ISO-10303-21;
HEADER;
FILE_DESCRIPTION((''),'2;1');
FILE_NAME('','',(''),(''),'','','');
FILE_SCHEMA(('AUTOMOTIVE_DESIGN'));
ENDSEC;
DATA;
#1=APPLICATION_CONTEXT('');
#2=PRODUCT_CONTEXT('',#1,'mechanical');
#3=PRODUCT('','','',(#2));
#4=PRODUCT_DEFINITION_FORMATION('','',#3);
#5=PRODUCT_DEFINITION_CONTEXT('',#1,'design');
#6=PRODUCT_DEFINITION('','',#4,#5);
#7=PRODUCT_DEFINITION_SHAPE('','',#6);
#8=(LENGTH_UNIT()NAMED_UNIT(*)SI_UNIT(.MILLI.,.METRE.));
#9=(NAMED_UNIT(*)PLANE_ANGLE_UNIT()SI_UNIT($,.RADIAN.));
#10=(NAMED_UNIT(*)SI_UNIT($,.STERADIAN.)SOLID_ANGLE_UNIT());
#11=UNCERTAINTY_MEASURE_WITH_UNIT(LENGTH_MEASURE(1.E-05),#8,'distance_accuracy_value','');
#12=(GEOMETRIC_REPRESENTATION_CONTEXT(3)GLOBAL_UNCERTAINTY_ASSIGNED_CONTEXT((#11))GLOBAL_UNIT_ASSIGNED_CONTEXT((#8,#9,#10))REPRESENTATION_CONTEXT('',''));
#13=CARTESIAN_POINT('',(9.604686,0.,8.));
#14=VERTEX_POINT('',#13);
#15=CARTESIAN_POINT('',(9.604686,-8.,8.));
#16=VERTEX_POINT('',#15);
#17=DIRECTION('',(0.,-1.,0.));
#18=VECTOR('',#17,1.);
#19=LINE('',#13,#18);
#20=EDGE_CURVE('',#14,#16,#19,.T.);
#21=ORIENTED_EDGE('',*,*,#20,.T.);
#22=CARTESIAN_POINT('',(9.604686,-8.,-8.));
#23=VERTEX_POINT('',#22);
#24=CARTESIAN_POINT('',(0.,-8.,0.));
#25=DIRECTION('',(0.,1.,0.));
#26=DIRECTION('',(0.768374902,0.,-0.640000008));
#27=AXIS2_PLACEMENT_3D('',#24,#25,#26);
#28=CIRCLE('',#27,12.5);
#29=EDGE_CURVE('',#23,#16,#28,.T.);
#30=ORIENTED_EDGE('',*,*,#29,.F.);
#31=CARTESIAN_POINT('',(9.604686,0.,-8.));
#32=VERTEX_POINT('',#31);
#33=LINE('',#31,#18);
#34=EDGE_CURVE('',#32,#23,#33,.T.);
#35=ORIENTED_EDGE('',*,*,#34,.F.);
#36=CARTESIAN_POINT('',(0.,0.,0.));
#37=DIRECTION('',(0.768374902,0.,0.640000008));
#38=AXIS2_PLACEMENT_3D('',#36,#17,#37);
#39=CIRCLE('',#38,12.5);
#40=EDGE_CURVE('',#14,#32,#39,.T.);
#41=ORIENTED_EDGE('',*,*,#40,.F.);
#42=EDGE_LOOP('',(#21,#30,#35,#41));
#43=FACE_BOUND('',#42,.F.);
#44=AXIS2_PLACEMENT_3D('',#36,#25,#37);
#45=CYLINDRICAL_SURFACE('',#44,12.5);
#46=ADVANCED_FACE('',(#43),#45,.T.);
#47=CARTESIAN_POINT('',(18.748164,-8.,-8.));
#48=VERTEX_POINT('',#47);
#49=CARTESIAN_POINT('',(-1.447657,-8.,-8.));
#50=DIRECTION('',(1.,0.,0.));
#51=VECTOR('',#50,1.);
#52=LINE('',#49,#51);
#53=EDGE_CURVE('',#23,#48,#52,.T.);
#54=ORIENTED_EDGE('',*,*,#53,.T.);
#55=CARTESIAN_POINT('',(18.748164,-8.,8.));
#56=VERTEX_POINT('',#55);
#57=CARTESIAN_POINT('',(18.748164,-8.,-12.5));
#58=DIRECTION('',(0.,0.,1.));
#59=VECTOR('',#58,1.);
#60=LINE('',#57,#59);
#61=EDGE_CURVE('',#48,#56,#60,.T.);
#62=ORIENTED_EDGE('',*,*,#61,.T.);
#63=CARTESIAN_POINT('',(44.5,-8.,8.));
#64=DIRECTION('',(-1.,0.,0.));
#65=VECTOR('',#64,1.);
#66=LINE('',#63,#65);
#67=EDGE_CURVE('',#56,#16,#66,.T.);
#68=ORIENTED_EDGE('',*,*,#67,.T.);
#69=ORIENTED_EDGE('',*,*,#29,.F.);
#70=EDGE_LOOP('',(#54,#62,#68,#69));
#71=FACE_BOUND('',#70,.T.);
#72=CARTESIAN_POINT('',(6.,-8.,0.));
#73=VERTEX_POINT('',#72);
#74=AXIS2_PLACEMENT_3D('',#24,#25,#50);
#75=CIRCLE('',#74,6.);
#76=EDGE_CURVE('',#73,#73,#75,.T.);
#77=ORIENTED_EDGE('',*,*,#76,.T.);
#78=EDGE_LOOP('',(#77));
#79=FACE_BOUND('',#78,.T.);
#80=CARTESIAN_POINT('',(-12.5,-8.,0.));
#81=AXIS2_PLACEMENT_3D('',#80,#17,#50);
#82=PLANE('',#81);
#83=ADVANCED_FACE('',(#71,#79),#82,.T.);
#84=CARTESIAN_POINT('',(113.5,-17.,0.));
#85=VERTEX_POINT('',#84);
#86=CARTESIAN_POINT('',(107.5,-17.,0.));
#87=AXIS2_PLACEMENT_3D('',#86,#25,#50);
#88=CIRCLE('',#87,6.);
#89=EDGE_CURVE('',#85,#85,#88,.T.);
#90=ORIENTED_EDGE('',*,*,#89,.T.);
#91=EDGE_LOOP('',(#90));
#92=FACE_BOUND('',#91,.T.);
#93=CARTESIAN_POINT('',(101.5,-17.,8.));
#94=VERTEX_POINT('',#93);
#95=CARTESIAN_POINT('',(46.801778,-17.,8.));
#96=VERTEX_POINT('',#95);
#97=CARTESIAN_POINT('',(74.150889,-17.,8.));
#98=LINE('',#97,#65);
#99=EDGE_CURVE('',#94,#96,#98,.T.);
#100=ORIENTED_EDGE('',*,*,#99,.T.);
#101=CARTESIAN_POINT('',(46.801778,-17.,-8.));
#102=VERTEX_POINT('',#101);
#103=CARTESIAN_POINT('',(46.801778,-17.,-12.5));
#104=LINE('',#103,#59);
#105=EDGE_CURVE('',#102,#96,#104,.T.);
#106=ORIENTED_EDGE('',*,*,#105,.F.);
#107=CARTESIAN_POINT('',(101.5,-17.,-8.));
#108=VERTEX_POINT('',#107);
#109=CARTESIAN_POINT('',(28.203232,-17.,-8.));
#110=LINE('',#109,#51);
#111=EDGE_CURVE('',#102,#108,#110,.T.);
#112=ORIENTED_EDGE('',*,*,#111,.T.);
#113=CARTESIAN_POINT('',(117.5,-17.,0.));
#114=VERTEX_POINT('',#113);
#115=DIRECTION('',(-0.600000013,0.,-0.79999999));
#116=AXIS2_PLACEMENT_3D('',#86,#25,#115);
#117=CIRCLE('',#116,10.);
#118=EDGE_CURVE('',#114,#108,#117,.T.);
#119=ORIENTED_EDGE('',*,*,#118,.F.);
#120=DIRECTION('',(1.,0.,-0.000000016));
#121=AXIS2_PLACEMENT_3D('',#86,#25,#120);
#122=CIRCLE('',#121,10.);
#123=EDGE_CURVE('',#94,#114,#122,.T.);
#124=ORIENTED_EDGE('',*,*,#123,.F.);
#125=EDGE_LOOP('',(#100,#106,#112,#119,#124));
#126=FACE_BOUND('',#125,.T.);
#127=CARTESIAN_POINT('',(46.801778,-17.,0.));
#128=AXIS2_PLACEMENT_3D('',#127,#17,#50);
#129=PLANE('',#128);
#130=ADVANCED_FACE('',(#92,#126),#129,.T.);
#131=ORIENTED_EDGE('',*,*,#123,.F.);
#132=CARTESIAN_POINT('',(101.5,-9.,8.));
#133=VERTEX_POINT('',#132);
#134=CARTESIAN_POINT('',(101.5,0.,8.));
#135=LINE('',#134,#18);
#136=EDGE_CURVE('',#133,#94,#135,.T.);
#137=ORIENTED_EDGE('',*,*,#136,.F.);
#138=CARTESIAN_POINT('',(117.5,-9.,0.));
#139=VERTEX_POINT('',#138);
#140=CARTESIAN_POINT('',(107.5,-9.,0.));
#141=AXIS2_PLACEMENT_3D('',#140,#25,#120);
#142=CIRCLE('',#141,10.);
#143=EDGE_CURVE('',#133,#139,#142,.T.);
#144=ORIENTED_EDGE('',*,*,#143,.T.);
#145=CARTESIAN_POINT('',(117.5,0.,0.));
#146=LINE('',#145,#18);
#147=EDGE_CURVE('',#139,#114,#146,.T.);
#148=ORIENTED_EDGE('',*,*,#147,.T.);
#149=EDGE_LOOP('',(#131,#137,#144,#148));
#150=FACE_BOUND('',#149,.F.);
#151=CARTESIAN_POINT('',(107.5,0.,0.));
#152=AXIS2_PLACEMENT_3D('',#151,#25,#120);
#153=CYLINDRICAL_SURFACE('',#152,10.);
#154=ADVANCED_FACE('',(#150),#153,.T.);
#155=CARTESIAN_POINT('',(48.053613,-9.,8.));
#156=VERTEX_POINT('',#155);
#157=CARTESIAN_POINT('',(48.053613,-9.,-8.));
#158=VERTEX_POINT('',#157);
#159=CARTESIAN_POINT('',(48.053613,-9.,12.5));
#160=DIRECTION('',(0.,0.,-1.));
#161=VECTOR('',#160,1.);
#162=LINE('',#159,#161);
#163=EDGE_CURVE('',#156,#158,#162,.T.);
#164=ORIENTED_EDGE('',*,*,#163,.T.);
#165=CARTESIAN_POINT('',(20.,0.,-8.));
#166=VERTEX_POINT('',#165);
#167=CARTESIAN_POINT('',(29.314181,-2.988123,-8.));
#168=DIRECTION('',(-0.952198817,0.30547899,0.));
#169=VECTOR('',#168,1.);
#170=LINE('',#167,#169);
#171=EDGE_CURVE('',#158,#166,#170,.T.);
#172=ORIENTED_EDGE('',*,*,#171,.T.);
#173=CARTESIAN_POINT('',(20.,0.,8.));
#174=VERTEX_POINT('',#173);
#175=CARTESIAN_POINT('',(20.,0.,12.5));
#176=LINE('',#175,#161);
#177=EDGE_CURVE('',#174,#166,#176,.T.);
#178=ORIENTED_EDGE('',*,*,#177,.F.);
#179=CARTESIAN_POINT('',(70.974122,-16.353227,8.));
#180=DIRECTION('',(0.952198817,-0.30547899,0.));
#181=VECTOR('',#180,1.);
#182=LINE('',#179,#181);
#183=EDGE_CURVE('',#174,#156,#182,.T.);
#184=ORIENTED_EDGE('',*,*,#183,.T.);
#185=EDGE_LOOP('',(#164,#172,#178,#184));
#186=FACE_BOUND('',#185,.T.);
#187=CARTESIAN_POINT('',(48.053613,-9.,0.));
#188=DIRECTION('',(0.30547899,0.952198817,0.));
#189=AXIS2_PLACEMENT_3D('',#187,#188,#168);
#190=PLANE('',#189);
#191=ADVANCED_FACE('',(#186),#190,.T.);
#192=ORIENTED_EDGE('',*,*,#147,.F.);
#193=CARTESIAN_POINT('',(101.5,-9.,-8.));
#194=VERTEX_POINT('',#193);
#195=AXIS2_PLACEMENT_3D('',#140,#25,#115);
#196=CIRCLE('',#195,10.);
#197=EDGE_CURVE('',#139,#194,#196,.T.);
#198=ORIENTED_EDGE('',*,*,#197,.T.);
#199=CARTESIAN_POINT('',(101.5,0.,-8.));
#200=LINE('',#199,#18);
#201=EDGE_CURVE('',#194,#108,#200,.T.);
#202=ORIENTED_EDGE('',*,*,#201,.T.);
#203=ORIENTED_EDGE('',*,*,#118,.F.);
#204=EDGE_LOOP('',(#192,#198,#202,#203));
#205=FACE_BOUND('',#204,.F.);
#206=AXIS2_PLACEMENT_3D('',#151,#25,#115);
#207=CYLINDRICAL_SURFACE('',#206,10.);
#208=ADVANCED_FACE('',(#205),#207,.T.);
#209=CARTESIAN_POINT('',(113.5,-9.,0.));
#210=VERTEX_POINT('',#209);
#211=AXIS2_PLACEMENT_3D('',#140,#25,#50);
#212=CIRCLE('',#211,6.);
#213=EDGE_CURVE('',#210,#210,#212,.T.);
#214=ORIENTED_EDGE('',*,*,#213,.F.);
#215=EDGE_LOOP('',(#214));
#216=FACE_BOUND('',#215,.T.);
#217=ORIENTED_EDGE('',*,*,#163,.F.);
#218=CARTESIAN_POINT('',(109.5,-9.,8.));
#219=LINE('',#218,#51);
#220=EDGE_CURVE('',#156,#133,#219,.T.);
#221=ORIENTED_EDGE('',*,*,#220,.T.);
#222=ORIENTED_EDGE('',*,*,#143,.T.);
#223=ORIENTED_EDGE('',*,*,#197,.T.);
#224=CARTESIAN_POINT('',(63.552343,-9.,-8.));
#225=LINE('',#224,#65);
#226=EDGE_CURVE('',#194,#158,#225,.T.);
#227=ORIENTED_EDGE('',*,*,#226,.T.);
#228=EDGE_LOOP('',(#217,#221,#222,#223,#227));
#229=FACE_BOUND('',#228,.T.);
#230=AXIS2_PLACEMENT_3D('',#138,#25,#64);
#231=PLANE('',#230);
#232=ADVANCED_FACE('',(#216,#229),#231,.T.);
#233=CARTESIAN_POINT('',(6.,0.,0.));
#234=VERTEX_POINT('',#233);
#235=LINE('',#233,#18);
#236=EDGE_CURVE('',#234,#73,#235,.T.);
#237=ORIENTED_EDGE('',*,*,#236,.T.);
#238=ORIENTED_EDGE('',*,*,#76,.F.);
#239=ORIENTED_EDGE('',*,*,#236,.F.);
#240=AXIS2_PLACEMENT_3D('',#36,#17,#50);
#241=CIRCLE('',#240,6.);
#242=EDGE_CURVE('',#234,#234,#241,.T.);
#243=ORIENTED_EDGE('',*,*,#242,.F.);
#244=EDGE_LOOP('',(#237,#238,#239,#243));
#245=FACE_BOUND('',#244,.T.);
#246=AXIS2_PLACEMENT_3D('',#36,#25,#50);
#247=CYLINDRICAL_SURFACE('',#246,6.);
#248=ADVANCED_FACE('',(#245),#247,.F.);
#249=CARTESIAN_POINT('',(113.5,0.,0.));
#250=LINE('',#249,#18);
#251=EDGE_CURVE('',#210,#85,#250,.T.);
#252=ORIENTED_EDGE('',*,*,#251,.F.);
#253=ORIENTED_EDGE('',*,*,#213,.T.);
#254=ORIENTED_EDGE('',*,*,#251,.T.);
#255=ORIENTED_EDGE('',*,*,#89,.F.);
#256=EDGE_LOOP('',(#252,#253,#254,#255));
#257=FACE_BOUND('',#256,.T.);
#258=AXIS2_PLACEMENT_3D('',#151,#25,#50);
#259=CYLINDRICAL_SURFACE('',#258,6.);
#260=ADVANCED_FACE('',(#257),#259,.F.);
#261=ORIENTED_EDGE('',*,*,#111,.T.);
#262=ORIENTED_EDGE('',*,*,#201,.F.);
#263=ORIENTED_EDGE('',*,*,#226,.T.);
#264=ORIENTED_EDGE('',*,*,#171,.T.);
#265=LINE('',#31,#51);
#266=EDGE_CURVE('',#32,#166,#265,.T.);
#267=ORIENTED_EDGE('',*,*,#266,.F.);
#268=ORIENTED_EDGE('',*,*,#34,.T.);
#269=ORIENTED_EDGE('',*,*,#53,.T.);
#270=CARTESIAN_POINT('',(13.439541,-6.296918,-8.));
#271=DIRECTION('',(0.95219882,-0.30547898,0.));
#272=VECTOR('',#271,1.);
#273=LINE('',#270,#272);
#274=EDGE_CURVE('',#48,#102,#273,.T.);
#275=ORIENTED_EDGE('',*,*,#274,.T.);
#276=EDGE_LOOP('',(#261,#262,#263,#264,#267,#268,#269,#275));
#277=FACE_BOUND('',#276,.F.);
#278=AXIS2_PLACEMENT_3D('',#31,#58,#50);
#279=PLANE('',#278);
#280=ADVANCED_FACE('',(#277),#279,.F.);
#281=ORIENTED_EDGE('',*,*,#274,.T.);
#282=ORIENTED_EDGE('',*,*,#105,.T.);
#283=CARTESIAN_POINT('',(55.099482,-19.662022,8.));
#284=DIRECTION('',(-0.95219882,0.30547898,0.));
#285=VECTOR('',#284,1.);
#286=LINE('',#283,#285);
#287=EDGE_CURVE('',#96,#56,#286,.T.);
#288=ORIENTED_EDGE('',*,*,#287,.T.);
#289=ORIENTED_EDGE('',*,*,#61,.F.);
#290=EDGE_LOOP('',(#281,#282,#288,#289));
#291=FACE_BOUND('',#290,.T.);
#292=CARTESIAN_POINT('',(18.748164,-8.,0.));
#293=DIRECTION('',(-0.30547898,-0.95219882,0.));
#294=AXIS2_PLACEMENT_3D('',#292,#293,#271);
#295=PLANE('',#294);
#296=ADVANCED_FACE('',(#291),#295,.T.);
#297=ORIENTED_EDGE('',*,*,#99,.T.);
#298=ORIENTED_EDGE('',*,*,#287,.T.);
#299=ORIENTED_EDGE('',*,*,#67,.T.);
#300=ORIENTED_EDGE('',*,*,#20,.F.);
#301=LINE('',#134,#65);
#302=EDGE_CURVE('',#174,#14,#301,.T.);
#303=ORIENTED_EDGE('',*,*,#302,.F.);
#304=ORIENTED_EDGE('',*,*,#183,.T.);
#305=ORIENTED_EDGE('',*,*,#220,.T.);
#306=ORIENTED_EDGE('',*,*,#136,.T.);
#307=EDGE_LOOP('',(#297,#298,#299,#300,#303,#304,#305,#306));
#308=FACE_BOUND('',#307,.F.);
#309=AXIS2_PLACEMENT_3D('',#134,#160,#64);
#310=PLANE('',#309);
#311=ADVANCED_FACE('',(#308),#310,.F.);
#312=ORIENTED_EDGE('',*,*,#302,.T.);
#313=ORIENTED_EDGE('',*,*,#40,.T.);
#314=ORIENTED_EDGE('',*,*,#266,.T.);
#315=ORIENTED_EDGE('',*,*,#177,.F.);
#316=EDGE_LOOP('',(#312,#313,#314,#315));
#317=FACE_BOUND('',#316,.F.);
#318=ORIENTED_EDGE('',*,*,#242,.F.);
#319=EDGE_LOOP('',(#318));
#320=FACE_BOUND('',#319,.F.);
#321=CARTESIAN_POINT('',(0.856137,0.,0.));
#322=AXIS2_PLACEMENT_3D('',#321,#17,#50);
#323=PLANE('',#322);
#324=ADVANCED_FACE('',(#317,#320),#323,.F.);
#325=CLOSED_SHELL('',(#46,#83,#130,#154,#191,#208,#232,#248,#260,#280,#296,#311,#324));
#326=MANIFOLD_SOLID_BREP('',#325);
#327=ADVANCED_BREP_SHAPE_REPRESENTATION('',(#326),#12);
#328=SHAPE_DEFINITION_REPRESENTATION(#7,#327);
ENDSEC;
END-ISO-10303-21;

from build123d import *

# Parameters (mm, degrees)
F0_R     = 6
F1_DEPTH = 25
F3_DEPTH = 12.5


with BuildPart() as f1:
    # F0 (on Front) → F1 (new body)
    with BuildSketch(Plane.XZ):
        with BuildLine():
            ThreePointArc((9.604686, -8), (11.753905, -4.253905), (12.5, 0))
            ThreePointArc((12.5, 0), (11.753905, 4.253905), (9.604686, 8))
            ThreePointArc((9.604686, 8), (-12.5, 0), (9.604686, -8))
        make_face()
        Circle(F0_R, mode=Mode.SUBTRACT)
        with BuildLine():
            ThreePointArc((9.604686, 8), (11.753905, 4.253905), (12.5, 0))
            ThreePointArc((12.5, 0), (11.753905, -4.253905), (9.604686, -8))
            Line((9.604686, -8), (101.5, -8))
            ThreePointArc((101.5, -8), (97.5, 0), (101.5, 8))
            Line((101.5, 8), (9.604686, 8))
        make_face()
        with BuildLine():
            ThreePointArc((117.5, 0), (111.972136, 8.944272), (101.5, 8))
            ThreePointArc((101.5, 8), (97.5, 0), (101.5, -8))
            ThreePointArc((101.5, -8), (111.972136, -8.944272), (117.5, 0))
        make_face()
        with Locations((107.5, 0)):
            Circle(F0_R, mode=Mode.SUBTRACT)
    extrude(amount=F1_DEPTH)

    # F2 (on Top) → F3 (intersect, symmetric)
    with BuildSketch(Plane.XY):
        Polygon((20, 0), (-12.5, 0), (-12.5, -8), (18.748164, -8), (46.801778, -17), (117.5, -17), (117.5, -9), (48.053613, -9), align=None)
    extrude(amount=F3_DEPTH, both=True, mode=Mode.INTERSECT)


solid = f1.part
